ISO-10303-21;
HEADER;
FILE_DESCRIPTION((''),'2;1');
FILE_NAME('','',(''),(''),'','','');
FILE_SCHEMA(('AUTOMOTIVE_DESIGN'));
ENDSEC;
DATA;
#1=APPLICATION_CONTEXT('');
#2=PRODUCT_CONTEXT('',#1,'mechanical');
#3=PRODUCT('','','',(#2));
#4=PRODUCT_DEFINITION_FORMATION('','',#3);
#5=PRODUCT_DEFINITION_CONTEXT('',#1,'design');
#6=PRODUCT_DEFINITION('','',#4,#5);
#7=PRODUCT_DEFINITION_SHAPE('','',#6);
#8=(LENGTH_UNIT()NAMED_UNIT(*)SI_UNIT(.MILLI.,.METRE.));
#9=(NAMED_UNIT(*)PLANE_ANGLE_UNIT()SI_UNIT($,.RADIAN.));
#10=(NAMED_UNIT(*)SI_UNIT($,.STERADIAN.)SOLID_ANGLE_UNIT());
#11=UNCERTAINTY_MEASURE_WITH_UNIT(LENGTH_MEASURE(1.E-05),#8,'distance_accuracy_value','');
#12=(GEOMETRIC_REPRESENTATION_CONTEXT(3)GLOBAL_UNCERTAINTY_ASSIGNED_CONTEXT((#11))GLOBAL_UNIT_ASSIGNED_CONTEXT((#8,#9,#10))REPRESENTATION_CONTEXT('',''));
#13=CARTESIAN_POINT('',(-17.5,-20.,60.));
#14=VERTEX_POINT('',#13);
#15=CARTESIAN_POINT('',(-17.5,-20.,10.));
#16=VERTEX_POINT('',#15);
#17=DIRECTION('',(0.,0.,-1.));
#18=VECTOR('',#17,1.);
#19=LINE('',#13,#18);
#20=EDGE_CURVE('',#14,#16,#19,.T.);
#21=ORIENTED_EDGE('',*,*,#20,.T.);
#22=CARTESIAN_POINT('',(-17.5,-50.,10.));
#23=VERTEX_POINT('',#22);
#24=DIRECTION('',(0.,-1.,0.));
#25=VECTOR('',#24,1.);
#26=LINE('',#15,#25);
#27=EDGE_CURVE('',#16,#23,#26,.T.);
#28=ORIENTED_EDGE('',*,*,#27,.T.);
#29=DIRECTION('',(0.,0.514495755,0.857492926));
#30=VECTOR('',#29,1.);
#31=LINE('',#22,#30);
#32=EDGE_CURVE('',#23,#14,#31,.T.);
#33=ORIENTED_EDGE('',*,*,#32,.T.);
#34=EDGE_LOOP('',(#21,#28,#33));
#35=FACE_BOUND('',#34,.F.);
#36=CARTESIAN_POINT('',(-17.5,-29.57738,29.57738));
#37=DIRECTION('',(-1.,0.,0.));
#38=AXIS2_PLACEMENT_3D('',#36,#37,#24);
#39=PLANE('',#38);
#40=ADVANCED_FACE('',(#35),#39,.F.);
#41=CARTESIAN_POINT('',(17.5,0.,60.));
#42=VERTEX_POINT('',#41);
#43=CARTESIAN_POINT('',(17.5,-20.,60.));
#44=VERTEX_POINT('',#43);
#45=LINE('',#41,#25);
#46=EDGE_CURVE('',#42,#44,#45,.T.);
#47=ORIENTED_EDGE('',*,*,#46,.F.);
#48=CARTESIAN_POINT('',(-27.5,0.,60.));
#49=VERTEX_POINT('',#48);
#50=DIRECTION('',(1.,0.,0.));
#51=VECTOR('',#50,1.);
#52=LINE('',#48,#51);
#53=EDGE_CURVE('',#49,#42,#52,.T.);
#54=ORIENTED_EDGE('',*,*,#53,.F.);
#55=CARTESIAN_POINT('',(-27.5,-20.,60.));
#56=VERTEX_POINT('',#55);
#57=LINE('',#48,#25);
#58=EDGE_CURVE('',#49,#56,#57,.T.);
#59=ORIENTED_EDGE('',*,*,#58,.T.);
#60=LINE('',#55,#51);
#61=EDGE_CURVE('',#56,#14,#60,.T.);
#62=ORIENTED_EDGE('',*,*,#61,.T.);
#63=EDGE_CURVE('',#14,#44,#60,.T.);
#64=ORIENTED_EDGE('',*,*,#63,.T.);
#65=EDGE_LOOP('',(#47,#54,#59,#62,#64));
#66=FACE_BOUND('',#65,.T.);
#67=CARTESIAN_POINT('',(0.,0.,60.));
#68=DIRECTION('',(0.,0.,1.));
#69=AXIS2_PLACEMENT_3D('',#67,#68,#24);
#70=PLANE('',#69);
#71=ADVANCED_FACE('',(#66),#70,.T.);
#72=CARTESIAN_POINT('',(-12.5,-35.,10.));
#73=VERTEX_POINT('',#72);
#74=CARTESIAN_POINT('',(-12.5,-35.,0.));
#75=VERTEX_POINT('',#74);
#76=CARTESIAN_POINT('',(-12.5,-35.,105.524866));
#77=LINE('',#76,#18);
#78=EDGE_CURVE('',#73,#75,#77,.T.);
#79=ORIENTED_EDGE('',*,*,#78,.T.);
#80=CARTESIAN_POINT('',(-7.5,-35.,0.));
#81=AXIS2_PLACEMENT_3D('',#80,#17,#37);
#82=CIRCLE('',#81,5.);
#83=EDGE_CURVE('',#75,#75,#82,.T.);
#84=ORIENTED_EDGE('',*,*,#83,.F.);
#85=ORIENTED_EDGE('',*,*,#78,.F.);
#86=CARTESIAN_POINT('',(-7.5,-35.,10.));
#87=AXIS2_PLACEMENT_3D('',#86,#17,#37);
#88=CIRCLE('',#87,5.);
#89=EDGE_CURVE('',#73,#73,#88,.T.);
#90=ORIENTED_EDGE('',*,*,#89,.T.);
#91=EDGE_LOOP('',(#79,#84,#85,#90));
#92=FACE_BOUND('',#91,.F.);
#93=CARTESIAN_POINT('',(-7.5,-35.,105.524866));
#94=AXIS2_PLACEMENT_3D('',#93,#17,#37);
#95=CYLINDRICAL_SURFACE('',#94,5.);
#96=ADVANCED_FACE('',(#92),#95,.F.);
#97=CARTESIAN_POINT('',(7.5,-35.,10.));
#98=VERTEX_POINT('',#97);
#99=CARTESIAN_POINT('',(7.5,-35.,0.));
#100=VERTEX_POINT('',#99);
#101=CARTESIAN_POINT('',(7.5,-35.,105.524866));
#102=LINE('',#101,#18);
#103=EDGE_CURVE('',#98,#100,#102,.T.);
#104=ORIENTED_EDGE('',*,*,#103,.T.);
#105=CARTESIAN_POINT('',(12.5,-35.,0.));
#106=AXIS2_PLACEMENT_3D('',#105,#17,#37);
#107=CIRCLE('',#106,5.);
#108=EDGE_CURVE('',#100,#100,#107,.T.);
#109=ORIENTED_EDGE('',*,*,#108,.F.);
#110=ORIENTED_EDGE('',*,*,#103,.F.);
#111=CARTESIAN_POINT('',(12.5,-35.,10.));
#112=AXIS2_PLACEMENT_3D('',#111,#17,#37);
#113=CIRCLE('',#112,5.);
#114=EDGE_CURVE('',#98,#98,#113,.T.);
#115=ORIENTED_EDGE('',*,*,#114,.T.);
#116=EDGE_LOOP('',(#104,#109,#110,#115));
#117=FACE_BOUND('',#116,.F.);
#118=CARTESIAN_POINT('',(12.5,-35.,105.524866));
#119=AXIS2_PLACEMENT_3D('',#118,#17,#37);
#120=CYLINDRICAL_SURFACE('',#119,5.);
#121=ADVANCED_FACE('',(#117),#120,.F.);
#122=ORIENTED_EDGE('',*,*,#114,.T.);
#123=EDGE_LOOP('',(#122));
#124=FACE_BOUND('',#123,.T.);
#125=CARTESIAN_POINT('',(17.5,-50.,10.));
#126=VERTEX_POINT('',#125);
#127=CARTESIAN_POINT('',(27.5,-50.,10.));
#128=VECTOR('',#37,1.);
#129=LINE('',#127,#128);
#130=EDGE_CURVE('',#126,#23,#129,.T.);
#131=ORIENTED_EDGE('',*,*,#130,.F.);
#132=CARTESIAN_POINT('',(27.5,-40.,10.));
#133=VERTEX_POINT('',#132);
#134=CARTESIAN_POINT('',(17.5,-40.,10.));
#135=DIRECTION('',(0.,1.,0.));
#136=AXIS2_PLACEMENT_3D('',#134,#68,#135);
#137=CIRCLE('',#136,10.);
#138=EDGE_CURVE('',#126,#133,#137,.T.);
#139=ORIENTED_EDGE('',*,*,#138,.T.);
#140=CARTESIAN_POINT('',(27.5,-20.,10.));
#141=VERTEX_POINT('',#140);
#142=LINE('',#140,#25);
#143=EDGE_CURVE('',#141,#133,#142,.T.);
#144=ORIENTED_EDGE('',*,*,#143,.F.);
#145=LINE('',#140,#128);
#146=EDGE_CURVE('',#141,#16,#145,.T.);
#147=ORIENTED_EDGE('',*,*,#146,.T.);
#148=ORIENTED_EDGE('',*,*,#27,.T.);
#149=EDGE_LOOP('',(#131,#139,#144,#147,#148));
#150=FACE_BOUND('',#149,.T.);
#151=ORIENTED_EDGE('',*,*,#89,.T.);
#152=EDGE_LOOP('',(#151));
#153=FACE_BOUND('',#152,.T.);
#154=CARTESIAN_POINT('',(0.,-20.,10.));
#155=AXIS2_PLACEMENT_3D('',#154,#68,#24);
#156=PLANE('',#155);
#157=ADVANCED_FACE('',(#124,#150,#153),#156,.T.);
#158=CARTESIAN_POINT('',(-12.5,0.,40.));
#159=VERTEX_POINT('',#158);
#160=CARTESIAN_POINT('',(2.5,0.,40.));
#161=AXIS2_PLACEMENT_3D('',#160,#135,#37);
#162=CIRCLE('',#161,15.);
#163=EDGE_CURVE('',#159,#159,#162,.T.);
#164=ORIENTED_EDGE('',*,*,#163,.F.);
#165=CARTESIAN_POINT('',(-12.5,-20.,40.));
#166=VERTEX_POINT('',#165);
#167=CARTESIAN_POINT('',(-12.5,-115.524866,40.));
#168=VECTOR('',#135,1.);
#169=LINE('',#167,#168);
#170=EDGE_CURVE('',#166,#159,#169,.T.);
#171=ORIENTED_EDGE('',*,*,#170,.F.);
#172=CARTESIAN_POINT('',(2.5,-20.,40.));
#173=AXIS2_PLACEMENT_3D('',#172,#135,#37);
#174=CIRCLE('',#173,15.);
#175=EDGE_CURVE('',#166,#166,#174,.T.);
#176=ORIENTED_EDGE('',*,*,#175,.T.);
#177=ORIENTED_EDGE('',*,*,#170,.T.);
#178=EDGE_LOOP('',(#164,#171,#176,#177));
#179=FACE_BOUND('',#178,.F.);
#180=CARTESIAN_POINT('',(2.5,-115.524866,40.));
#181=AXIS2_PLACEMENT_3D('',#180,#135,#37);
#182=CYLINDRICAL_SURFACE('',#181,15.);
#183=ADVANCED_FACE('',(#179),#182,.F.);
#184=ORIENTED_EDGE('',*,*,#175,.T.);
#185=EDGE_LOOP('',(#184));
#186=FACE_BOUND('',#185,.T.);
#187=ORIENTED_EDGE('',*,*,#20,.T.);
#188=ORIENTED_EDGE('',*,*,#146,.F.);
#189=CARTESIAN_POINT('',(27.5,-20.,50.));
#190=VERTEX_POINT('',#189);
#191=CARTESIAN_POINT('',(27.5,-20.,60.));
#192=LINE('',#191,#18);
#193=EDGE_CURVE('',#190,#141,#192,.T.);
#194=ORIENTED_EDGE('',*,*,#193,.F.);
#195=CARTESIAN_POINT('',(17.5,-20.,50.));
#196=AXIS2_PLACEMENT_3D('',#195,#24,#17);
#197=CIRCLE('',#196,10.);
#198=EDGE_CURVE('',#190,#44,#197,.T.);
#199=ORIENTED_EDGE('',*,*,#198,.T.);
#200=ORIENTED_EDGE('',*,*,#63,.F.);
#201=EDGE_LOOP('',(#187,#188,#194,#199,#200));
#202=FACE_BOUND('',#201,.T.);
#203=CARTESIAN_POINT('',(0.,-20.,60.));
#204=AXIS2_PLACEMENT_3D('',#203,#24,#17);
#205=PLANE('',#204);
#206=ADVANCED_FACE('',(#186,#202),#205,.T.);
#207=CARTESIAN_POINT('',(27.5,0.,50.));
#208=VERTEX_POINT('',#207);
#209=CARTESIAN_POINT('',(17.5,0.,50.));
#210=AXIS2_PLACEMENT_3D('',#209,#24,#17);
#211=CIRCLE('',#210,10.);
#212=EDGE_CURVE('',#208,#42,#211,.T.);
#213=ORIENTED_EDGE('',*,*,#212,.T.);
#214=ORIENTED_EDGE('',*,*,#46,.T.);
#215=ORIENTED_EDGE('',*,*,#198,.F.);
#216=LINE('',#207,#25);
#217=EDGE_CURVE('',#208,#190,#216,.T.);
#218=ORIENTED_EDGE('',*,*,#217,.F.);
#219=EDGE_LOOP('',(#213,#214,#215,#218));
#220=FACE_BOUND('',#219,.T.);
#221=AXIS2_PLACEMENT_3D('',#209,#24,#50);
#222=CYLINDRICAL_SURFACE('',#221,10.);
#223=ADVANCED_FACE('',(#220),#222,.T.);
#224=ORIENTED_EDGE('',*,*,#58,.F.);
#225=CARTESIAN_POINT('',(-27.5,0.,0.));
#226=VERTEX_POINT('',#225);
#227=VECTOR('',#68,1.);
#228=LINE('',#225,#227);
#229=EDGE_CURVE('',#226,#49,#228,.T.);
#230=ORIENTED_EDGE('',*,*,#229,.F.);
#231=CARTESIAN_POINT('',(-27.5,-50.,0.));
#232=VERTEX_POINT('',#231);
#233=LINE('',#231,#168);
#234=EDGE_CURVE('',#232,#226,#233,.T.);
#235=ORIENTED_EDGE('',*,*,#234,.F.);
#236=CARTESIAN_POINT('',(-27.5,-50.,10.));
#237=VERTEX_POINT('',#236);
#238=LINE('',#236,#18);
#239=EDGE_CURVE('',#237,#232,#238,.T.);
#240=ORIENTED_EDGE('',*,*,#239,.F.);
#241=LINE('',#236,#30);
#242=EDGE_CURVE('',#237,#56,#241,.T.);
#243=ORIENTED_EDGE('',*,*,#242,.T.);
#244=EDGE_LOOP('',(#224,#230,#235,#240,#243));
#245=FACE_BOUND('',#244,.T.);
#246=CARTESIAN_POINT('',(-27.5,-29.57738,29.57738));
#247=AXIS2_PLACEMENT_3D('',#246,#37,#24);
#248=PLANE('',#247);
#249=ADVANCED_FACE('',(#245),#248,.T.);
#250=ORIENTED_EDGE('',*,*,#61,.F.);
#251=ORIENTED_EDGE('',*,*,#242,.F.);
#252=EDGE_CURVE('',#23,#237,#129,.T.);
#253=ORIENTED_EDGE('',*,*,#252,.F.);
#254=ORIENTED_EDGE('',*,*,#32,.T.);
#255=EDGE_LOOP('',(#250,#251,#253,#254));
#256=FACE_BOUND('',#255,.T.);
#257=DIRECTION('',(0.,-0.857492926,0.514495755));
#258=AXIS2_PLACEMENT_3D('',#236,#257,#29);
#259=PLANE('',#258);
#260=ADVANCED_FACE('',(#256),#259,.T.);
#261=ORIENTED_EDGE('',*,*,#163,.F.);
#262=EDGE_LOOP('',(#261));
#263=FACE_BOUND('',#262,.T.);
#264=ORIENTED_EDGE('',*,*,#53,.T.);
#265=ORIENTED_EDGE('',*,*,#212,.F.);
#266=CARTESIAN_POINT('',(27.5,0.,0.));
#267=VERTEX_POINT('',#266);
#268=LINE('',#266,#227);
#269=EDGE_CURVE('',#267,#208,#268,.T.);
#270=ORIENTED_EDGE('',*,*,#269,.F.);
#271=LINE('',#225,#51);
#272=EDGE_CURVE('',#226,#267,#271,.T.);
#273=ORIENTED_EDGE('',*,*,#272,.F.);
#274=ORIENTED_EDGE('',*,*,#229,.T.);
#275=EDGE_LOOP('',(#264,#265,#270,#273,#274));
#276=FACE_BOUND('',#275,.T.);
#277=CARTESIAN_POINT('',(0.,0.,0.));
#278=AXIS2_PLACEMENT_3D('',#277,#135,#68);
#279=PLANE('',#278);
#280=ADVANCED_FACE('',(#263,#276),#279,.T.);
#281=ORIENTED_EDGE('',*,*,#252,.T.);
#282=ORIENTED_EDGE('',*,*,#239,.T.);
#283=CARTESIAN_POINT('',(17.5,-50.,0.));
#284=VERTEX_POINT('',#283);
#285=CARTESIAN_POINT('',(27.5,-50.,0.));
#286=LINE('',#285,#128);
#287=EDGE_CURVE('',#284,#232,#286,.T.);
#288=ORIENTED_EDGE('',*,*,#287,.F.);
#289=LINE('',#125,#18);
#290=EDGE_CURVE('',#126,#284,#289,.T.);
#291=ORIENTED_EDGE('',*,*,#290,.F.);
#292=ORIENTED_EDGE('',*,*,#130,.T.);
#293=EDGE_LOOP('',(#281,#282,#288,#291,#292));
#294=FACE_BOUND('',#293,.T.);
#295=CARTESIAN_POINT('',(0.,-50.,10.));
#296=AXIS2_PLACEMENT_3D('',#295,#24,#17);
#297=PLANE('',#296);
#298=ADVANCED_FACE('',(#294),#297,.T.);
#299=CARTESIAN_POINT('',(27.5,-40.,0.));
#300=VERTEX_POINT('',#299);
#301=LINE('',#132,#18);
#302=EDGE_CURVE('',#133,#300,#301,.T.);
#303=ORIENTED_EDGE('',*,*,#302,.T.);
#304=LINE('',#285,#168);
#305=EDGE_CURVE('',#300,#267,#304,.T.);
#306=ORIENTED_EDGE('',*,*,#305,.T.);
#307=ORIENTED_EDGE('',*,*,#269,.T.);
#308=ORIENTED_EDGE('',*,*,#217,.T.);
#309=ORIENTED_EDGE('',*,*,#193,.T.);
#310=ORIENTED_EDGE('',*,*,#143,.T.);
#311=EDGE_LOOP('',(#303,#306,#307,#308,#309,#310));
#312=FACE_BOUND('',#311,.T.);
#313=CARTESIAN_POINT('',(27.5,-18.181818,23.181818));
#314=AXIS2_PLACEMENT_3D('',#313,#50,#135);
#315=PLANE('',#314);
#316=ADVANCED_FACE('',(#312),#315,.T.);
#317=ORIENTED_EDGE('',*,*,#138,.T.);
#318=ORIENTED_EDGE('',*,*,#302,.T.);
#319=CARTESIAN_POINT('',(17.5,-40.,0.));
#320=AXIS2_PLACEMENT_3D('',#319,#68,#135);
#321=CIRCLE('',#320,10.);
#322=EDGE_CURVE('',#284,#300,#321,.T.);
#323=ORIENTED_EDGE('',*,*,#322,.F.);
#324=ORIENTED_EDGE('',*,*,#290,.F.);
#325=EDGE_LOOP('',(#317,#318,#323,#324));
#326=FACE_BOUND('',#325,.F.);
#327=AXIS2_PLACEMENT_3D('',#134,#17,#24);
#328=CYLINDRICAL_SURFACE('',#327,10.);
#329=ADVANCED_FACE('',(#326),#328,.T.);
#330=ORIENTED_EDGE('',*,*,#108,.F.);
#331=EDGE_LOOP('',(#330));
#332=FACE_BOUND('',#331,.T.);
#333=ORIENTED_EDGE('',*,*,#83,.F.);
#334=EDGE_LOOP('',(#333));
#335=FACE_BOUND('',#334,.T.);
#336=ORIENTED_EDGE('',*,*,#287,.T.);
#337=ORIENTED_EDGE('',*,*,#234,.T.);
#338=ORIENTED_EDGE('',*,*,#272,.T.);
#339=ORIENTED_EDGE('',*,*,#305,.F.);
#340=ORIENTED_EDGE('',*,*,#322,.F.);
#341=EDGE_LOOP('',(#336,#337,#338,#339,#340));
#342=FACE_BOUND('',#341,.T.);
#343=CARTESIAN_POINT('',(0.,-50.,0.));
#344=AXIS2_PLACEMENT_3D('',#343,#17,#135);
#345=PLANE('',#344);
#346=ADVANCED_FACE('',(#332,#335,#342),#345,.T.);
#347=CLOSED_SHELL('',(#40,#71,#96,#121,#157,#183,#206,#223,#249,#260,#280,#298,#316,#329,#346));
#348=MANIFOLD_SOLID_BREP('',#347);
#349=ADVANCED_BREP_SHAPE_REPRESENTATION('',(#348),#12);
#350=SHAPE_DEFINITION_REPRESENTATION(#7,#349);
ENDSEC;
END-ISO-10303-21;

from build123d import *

# Parameters (mm, degrees)
F1_DEPTH = 27.5
F3_DEPTH = 10
F5_D     = 30
F7_D     = 10
F8_R     = 10
F9_R     = 10


with BuildPart() as f1:
    # F0 (on Right) → F1 (new body, symmetric)
    with BuildSketch(Plane.YZ):
        Polygon((-50, 0), (0, 0), (0, 60), (-20, 60), (-20, 10), (-50, 10), align=None)
    extrude(amount=F1_DEPTH, both=True)

    # F2 (on face) → F3 (join)
    with BuildSketch(Plane(origin=(-27.5, 0, 0), x_dir=(0, -1, 0), z_dir=(-1, 0, 0))):
        Polygon((50, 10), (20, 60), (20, 10), align=None)
    extrude(amount=-F3_DEPTH)

    # F5 (through all)
    with Locations(Plane.XZ.offset(20)):
        with Locations((2.5, 40)):
            Hole(F5_D / 2)

    # F7 (through all)
    with Locations(Plane.XY.offset(10)):
        with Locations((-7.5, -35), (12.5, -35)):
            Hole(F7_D / 2)

    # F8
    f8_edges = [f1.edges().sort_by_distance(p)[0] for p in [
        (27.5, -50, 5),
    ]]
    fillet(f8_edges, radius=F8_R)

    # F9
    f9_edges = [f1.edges().sort_by_distance(p)[0] for p in [
        (27.5, -10, 60),
    ]]
    fillet(f9_edges, radius=F9_R)


solid = f1.part
